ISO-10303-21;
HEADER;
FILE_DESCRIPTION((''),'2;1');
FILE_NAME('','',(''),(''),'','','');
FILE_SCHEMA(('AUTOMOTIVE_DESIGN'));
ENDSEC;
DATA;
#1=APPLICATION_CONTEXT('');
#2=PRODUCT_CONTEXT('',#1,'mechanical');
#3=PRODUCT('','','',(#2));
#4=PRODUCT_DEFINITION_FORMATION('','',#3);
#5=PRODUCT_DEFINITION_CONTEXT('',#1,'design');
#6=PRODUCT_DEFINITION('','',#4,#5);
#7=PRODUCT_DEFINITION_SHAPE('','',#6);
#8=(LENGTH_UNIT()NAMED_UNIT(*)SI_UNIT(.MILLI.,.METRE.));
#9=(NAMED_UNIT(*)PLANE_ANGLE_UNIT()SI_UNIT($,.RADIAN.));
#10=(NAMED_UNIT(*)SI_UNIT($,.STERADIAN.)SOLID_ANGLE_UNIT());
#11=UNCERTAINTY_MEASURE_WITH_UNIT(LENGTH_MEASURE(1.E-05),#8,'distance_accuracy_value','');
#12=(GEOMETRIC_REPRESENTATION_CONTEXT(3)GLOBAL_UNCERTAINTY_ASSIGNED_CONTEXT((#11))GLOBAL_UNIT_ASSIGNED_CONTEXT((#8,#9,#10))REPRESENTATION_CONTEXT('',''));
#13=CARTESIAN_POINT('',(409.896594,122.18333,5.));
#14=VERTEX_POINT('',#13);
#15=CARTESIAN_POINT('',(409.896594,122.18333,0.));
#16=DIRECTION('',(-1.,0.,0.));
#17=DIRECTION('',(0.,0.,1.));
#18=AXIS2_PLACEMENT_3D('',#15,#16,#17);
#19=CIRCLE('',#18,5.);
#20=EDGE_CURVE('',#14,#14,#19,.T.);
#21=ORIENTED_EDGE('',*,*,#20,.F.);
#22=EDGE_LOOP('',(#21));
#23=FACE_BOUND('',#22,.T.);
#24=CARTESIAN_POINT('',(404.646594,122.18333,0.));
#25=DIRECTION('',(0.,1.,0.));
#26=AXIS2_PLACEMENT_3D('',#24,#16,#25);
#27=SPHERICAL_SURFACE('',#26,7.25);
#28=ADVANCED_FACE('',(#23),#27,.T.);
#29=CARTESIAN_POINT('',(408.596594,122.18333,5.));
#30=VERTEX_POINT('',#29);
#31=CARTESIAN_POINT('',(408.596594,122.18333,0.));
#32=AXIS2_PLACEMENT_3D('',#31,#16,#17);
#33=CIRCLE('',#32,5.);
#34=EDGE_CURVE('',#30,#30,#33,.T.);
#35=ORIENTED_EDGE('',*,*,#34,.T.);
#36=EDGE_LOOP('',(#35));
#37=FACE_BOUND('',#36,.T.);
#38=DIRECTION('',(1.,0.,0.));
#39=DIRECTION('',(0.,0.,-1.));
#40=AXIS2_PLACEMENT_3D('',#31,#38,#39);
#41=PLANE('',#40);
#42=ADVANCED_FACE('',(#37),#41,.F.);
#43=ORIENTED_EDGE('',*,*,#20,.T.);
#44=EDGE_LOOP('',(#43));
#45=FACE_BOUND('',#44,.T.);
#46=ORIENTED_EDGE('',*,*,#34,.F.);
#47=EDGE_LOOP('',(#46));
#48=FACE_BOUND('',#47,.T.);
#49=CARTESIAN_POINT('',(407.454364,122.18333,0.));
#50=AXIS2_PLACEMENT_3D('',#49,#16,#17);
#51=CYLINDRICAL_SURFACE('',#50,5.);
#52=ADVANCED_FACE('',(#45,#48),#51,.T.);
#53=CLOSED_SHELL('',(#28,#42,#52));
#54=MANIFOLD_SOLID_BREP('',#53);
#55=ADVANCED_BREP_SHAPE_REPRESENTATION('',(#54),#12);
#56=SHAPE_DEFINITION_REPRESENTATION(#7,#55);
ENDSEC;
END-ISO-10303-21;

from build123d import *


with BuildPart() as part:
    # 草图1 → 旋转1 (revolve)
    with BuildSketch(Plane.XY):
        with BuildLine():
            Line((408.596593975, 122.183330376), (408.596593975, 127.183330376))
            Line((408.596593975, 127.183330376), (409.896593975, 127.183330376))
            ThreePointArc((409.896593975, 127.183330376), (411.378049984, 124.87591278), (411.896593975, 122.183330376))
            Line((411.896593975, 122.183330376), (408.596593975, 122.183330376))
        make_face()
    revolve(axis=Axis((407.454364282, 122.183330376, 0), (1, 0, 0)))


solid = part.part
